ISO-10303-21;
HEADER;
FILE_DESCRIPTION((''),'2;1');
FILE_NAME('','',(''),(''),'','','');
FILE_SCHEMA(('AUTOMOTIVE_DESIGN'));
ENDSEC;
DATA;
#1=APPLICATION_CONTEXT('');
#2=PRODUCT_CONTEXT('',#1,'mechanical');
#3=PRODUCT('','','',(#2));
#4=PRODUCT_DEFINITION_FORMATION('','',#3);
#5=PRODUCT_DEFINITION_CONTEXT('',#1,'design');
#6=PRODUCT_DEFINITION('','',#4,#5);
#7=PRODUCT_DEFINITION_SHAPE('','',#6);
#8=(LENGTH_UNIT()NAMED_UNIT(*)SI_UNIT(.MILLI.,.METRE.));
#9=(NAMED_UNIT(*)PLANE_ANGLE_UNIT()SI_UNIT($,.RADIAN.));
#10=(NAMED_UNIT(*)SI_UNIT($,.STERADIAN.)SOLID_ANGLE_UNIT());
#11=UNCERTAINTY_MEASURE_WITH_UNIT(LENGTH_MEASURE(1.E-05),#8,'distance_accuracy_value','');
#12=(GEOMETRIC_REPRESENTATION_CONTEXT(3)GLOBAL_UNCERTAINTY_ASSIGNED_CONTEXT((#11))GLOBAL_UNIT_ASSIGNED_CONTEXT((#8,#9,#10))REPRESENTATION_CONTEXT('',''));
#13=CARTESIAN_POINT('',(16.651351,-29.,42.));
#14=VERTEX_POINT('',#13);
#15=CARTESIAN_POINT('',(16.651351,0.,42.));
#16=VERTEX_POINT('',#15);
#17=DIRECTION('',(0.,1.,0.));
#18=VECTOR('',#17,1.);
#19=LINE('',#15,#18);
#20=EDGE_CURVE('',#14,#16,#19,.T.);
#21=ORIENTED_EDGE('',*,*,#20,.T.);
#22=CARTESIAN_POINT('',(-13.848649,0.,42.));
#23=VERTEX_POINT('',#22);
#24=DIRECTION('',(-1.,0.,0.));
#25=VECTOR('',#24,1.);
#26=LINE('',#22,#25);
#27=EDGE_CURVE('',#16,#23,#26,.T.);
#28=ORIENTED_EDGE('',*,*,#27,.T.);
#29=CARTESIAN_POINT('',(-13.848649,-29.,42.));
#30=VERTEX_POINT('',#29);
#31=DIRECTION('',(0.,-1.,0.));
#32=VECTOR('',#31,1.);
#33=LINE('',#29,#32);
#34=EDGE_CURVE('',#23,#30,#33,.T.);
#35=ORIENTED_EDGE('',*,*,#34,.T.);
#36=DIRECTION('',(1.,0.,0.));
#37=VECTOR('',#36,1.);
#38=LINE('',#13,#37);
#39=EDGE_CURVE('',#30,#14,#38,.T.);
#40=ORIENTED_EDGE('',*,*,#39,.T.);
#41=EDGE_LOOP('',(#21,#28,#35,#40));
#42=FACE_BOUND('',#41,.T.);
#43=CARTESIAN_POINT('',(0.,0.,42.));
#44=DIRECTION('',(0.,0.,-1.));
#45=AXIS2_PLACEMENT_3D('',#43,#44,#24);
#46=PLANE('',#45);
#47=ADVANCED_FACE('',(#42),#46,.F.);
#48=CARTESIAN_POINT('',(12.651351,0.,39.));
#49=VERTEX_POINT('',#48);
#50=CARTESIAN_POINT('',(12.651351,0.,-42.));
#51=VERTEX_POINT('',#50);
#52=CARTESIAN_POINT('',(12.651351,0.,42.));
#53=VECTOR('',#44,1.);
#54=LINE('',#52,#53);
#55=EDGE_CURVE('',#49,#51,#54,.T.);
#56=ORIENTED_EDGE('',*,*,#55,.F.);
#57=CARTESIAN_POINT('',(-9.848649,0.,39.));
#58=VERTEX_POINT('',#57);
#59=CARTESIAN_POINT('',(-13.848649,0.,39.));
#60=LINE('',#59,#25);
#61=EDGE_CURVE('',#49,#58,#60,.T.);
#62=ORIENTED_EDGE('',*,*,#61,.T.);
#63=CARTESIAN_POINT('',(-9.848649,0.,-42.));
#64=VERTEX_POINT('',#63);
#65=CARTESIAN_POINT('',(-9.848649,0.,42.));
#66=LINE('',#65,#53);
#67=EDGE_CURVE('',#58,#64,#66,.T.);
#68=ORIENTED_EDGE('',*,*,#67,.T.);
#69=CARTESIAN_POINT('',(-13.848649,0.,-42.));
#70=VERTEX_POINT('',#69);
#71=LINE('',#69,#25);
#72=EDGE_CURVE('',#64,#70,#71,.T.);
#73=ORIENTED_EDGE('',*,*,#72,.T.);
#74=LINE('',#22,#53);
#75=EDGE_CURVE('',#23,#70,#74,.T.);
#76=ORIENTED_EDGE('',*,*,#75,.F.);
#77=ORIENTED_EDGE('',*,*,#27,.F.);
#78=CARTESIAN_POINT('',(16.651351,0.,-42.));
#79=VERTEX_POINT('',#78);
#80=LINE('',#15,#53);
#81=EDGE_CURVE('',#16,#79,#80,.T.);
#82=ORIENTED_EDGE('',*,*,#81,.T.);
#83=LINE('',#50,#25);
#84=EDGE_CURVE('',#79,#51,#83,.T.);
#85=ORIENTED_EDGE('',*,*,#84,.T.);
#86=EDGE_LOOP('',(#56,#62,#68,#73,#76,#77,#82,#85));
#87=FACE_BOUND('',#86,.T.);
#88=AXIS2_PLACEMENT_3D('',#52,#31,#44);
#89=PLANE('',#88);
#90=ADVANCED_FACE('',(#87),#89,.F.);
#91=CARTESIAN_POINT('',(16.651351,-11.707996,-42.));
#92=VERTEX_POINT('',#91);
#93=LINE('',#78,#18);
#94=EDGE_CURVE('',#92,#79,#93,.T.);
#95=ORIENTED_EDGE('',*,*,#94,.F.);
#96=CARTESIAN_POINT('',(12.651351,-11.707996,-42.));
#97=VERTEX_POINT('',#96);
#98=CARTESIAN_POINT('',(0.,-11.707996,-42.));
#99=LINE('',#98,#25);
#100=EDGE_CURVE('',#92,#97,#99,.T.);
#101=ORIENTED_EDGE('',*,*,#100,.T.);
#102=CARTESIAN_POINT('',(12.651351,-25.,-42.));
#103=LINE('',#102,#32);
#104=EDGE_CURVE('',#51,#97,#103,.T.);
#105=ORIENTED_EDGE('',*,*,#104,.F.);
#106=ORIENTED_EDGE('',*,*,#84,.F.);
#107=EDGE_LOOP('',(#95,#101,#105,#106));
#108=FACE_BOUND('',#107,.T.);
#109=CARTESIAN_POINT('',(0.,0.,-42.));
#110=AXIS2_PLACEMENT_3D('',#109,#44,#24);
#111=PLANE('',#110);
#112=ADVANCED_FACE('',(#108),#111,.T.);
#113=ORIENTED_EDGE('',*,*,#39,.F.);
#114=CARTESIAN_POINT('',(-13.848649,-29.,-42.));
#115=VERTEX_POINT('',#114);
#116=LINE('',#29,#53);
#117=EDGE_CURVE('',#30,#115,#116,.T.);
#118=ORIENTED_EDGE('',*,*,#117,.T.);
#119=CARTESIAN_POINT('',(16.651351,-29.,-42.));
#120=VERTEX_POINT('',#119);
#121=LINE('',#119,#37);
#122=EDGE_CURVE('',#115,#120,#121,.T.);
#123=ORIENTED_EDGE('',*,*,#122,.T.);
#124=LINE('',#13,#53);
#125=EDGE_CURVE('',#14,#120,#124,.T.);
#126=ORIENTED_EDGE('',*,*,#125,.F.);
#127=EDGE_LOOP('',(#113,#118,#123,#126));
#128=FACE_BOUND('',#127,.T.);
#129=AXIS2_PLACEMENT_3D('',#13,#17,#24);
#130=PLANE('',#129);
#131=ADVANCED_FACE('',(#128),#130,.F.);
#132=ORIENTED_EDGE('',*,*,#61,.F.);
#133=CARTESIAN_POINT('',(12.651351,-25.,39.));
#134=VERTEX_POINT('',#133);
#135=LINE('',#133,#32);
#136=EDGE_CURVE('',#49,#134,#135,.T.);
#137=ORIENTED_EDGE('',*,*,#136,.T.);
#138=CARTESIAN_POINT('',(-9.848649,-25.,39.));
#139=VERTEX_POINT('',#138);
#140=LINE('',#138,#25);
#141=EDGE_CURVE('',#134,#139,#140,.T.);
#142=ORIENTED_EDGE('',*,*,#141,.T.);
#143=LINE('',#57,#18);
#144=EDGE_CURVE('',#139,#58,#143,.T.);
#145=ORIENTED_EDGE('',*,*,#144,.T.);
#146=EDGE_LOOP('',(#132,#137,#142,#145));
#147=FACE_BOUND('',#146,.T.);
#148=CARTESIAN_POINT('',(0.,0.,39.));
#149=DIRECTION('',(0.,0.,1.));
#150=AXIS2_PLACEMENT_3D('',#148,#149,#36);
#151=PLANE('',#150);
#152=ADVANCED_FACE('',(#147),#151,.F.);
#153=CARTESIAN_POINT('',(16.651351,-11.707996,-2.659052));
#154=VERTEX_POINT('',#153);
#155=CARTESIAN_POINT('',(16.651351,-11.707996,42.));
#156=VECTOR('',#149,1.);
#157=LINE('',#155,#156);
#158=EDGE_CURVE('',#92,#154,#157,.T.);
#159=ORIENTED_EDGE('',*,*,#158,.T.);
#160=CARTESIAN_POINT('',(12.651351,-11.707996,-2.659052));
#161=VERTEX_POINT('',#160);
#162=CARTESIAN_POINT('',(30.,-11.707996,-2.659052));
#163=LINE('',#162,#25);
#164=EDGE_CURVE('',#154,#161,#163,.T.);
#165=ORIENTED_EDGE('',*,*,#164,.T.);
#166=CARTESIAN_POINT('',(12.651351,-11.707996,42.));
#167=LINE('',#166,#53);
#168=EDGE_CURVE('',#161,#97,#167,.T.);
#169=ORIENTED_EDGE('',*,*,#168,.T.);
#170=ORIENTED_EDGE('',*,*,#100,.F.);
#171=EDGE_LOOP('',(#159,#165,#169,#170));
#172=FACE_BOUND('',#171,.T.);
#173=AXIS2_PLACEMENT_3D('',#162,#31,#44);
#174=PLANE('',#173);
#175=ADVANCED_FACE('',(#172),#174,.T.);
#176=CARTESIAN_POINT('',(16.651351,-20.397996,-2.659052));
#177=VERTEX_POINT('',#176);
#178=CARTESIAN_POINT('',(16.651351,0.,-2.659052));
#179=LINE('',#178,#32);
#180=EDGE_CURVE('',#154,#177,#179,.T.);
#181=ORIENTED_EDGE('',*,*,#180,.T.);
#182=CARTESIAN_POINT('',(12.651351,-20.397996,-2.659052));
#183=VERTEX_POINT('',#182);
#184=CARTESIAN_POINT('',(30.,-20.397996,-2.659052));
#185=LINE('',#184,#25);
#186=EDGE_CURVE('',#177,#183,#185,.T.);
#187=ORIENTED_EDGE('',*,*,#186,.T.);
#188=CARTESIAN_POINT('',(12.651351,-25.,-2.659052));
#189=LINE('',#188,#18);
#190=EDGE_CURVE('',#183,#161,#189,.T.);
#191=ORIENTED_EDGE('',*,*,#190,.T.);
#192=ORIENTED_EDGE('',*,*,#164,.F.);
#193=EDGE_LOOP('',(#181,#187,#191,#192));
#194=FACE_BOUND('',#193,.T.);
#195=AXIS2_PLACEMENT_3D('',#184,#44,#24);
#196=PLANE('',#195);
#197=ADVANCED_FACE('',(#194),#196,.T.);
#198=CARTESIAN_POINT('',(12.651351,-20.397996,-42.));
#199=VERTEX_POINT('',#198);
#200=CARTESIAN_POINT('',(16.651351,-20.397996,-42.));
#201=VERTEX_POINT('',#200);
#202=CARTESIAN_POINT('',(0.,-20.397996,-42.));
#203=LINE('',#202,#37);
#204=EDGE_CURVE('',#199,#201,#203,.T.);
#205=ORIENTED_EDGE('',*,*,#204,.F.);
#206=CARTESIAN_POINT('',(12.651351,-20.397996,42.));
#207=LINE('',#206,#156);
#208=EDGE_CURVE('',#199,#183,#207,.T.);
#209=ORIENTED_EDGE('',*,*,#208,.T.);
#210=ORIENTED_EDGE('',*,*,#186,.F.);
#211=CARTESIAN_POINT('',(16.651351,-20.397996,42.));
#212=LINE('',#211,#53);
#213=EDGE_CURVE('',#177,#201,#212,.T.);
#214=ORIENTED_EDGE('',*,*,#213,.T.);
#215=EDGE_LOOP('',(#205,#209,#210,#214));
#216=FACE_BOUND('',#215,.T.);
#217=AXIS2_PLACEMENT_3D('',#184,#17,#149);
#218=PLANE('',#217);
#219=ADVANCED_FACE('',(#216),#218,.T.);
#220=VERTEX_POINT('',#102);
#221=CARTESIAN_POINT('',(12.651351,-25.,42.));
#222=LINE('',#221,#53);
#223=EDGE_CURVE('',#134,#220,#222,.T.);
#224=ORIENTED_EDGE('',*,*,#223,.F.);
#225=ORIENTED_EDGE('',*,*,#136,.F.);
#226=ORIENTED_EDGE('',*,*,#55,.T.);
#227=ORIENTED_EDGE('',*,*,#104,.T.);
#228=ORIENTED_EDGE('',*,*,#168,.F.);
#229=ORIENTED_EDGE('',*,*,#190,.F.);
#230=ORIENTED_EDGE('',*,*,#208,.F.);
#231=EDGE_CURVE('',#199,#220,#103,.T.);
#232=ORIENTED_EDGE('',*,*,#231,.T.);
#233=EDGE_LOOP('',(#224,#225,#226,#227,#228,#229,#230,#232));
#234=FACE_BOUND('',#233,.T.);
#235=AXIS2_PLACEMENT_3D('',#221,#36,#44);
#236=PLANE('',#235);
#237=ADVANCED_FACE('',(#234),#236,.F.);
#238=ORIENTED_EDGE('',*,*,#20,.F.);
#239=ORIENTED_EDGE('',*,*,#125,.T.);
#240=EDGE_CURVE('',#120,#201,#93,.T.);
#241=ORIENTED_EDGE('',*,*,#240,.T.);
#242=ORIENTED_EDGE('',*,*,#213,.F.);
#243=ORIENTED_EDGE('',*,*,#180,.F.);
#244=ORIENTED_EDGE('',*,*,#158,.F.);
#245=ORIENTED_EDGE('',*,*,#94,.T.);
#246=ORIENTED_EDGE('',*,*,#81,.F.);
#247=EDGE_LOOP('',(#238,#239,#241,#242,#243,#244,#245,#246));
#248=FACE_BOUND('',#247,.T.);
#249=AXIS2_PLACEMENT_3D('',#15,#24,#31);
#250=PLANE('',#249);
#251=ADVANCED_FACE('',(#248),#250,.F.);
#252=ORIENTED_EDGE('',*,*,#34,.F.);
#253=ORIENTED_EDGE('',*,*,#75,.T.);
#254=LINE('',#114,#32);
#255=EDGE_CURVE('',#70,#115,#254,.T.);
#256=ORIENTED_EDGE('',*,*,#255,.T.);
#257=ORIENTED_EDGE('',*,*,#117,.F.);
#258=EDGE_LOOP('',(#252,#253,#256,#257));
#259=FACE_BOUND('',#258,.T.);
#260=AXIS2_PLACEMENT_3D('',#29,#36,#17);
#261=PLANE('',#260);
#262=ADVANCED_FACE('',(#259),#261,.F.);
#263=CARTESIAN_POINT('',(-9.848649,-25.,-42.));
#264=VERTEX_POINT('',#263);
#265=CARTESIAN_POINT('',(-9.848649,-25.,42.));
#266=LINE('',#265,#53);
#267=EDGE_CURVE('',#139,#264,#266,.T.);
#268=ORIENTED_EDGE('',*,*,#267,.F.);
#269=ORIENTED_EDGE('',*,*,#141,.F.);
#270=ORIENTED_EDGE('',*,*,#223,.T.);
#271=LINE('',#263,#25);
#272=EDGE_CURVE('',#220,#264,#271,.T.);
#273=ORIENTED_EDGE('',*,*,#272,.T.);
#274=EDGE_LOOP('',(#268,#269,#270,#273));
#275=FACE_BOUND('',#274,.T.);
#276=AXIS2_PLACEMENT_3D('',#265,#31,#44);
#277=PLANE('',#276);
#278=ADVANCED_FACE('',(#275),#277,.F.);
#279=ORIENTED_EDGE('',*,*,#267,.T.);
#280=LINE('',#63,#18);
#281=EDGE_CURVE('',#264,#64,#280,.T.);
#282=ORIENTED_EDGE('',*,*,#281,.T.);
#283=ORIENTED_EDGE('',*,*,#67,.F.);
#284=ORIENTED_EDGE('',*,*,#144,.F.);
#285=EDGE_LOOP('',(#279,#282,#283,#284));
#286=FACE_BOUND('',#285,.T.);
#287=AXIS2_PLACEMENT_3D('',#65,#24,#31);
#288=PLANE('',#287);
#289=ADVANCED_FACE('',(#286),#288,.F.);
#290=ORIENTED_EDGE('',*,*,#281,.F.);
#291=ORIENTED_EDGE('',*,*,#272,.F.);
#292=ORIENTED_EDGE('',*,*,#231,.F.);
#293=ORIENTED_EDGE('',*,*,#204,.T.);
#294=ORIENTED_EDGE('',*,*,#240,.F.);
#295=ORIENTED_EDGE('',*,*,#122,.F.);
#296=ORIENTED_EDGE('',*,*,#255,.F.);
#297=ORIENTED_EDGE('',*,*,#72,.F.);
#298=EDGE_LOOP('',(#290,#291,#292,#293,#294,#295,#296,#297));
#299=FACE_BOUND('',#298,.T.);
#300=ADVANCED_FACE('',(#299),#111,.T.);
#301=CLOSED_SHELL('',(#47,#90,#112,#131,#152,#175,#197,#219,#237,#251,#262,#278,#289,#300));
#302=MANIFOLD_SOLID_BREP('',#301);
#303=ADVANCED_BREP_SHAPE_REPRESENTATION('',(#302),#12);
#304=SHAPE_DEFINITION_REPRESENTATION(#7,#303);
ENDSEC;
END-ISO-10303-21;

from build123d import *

# Parameters (mm, degrees)
BOSS_EXTRUDE1_DEPTH = 42
SKETCH2_W           = 30.5
SKETCH2_H           = 29
BOSS_EXTRUDE2_DEPTH = 3
SKETCH3_W           = 40
SKETCH3_H           = 8.69
CUT_EXTRUDE1_DEPTH  = 30


with BuildPart() as part:
    # Sketch1 → Boss-Extrude1 (new body, symmetric)
    with BuildSketch(Plane.XY):
        Polygon((-9.848648649, 0), (-9.848648649, -25), (12.651351351, -25), (12.651351351, 0), (16.651351351, 0), (16.651351351, -29), (-13.848648649, -29), (-13.848648649, 0), align=None)
    extrude(amount=BOSS_EXTRUDE1_DEPTH, both=True)

    # Sketch2 → Boss-Extrude2 (add)
    with BuildSketch(Plane.XY.offset(42)):
        with Locations((1.401351351, -14.5)):
            Rectangle(SKETCH2_W, SKETCH2_H)
    extrude(amount=-BOSS_EXTRUDE2_DEPTH)

    # Sketch3 → Cut-Extrude1 (cut)
    with BuildSketch(Plane(origin=(0, 0, 0), x_dir=(0, 0, -1), z_dir=(1, 0, 0))):
        with Locations((22.65905185, -16.052995557)):
            Rectangle(SKETCH3_W, SKETCH3_H)
    extrude(amount=CUT_EXTRUDE1_DEPTH, mode=Mode.SUBTRACT)


solid = part.part
